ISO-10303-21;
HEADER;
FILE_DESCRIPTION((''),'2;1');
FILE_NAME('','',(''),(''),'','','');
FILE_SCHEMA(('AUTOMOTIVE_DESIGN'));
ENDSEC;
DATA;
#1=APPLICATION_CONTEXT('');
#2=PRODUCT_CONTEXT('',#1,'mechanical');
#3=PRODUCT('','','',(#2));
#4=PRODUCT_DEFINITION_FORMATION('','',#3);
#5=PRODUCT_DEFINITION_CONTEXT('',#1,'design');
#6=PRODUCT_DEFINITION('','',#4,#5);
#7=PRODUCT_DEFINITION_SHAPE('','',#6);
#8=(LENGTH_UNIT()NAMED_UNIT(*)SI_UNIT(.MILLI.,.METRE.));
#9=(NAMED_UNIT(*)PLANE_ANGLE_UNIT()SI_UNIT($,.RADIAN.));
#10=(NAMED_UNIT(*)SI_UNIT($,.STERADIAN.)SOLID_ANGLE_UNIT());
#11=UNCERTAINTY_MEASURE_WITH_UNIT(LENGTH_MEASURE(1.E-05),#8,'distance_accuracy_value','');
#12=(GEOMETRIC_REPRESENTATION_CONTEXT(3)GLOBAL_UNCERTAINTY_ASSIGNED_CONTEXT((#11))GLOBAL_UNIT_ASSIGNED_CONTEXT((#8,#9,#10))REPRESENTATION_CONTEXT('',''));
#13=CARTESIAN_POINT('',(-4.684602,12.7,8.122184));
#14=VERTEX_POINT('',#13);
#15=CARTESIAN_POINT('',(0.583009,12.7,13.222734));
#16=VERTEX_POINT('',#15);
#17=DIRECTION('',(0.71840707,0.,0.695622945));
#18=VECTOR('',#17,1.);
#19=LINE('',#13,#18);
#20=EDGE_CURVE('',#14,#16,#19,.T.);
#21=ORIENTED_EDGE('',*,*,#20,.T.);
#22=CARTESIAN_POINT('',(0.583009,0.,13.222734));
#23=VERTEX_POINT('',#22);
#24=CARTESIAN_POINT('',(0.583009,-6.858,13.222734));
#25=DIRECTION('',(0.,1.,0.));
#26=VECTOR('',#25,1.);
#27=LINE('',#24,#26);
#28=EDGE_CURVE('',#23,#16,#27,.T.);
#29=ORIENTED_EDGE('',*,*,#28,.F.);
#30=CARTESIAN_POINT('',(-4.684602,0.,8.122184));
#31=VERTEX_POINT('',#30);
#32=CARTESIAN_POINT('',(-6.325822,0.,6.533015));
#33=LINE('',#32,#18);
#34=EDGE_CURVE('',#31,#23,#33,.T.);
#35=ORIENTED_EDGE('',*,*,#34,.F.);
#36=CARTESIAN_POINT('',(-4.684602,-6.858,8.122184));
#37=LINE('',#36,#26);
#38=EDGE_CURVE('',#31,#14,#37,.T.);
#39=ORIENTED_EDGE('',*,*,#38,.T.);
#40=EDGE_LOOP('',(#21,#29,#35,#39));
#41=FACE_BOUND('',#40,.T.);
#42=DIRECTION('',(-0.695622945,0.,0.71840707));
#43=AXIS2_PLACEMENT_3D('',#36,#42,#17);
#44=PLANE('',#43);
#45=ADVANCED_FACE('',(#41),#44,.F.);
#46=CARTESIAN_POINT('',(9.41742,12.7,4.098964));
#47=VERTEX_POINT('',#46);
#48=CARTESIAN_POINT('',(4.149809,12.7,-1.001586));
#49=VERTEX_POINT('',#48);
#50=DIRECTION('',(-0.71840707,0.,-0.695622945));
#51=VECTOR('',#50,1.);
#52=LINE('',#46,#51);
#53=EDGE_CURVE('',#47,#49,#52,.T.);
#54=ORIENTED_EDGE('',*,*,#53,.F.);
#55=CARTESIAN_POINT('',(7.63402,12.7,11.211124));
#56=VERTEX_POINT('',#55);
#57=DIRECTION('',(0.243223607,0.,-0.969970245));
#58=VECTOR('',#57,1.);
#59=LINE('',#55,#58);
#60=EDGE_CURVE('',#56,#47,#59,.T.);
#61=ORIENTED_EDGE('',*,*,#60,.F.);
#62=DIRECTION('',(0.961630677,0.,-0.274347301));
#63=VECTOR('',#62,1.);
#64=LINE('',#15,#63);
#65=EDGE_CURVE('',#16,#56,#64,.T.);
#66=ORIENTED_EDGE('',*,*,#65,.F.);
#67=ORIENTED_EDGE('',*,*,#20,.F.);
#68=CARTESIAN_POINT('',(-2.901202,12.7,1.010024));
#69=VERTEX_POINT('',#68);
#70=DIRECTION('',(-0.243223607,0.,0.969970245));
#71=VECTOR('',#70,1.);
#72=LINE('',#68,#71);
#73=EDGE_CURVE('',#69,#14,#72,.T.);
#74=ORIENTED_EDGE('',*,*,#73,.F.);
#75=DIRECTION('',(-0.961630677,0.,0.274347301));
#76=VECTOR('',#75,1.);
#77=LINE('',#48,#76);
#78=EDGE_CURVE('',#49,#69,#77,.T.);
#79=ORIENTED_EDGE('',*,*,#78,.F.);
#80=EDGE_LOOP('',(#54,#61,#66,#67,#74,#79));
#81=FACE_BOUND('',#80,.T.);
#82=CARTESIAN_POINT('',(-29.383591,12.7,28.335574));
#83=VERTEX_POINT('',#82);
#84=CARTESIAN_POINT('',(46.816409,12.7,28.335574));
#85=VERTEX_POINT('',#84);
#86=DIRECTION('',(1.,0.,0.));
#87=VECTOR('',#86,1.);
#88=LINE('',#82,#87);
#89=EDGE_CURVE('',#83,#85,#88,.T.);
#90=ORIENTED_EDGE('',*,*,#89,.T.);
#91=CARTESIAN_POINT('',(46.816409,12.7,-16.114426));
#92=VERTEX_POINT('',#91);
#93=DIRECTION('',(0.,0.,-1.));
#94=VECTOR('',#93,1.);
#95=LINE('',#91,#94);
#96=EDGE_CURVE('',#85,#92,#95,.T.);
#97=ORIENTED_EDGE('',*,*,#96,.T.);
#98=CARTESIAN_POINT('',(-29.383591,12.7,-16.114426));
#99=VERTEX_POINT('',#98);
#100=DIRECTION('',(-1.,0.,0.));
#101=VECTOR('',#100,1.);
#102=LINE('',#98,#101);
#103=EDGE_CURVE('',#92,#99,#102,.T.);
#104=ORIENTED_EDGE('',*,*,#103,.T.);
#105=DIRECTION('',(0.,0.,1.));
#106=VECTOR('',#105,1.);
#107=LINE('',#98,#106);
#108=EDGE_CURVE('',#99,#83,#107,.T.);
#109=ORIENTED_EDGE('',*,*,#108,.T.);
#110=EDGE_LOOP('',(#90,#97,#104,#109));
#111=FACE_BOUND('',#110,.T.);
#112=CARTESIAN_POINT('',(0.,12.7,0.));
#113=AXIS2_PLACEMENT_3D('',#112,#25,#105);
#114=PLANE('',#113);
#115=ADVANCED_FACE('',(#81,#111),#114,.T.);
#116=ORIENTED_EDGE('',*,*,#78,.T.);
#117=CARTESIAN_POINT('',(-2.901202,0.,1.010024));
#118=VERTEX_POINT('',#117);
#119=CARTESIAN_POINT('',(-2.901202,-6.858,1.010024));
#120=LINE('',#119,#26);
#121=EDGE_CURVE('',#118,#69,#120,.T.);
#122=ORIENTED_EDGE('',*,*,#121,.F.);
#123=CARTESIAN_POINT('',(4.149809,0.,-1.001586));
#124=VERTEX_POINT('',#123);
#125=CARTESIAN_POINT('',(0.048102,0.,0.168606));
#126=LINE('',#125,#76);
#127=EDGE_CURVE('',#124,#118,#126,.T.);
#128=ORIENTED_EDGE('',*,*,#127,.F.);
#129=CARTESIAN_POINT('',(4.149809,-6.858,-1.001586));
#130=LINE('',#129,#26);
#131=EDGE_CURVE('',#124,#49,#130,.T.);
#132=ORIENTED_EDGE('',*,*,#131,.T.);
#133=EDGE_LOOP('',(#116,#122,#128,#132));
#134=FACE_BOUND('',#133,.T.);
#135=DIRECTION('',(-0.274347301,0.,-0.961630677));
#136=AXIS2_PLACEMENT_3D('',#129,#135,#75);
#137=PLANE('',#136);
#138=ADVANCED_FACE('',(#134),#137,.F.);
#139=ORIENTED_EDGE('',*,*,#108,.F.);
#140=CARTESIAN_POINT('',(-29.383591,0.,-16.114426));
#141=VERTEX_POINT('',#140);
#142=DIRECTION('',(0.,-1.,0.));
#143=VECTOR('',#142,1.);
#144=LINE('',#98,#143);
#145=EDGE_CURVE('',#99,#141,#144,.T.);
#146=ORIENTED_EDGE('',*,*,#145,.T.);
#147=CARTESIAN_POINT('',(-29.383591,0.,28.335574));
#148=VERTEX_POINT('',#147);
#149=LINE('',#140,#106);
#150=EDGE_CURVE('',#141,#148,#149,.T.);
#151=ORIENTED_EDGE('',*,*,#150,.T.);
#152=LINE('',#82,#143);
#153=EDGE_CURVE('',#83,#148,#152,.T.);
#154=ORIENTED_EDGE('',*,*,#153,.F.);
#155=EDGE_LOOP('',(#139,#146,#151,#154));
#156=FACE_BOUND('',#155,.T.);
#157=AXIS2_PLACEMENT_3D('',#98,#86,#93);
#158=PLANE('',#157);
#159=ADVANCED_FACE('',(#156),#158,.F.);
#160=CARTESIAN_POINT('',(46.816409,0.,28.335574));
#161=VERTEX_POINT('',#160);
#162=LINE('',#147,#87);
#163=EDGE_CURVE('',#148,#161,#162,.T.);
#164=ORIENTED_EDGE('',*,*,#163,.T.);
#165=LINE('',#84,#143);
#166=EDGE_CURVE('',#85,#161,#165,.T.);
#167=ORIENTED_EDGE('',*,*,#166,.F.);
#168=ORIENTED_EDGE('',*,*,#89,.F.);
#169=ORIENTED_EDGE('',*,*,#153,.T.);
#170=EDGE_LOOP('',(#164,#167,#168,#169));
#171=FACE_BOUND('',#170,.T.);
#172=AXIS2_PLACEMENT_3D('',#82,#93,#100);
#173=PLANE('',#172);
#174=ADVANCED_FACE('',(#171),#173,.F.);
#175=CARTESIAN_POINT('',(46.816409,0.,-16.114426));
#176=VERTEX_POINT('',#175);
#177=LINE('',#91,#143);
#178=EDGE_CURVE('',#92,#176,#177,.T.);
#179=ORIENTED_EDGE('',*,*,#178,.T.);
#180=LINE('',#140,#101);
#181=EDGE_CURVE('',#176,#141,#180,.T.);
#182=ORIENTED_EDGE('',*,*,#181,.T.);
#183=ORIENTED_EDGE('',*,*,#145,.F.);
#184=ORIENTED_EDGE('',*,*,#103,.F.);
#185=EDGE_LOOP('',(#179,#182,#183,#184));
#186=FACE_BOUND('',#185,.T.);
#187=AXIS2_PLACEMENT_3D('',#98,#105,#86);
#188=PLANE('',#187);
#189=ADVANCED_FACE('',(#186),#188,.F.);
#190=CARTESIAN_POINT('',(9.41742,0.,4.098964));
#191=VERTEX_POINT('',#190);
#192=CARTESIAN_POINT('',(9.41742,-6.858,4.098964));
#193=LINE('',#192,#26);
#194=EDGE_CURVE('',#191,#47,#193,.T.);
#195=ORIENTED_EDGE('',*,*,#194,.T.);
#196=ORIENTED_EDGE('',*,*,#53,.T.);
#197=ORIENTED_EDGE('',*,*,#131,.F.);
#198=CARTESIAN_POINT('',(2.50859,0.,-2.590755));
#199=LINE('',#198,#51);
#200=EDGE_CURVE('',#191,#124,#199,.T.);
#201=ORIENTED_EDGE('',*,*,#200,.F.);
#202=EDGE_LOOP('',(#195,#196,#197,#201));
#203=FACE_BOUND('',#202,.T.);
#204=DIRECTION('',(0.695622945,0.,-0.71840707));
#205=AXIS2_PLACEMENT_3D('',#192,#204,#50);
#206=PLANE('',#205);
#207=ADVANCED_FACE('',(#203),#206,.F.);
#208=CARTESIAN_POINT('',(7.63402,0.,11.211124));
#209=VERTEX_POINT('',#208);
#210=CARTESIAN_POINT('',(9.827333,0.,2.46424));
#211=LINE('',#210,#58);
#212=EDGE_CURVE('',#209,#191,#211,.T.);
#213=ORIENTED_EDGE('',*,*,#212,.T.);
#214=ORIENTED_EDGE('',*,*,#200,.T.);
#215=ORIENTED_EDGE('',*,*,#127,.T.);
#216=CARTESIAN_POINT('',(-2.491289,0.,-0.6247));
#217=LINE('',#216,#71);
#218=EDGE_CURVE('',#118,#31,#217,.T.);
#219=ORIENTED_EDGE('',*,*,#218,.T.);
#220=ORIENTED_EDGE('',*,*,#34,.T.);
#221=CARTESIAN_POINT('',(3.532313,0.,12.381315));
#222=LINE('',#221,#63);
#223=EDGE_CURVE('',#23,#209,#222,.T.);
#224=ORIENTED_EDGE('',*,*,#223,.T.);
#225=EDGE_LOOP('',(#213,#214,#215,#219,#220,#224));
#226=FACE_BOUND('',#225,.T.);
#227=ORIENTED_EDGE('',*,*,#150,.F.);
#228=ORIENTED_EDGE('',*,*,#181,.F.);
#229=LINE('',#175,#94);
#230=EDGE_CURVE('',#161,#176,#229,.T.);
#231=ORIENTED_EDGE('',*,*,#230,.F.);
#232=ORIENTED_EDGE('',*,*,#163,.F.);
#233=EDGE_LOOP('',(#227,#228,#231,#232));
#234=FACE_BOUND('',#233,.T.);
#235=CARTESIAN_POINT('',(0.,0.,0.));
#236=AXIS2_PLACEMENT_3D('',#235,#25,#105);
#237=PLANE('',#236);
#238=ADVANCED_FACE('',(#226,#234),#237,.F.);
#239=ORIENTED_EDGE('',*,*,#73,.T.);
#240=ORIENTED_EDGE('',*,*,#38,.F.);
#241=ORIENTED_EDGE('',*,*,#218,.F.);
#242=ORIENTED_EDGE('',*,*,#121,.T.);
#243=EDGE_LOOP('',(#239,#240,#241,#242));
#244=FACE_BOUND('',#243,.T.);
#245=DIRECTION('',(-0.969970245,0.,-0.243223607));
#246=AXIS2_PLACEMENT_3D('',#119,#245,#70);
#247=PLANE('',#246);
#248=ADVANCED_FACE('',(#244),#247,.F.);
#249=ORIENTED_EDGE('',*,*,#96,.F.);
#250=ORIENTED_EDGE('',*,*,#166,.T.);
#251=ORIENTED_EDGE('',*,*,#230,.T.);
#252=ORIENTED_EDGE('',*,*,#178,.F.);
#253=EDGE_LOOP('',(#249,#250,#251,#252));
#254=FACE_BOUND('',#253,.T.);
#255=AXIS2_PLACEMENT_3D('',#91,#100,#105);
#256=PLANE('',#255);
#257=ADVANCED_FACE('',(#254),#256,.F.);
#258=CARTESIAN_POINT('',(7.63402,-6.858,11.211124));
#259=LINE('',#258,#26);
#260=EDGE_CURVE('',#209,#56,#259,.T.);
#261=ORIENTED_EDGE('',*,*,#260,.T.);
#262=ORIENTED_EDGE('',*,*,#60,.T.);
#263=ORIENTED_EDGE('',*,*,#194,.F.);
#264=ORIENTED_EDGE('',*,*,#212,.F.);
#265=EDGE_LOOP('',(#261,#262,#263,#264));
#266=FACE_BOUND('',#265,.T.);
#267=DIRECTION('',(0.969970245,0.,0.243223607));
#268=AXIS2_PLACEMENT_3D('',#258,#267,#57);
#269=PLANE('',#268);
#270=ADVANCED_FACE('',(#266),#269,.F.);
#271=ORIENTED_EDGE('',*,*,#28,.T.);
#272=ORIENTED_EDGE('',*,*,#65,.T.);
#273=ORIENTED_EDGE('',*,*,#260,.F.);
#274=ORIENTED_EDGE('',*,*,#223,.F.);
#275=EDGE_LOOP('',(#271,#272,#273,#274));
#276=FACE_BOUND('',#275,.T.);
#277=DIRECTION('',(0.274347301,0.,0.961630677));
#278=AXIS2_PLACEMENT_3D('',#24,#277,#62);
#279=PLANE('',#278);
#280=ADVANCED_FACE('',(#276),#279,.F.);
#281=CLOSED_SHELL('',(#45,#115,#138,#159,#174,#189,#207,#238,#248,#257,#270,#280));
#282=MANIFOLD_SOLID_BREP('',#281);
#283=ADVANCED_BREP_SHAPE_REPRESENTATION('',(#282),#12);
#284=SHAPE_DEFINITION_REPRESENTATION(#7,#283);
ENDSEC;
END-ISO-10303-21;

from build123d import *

# Parameters (mm, degrees)
SKETCH1_W           = 76.2
SKETCH1_H           = 44.45
BOSS_EXTRUDE1_DEPTH = 12.7
CUT_EXTRUDE1_DEPTH  = 19.558


with BuildPart() as part:
    # Sketch1 → Boss-Extrude1 (new body)
    with BuildSketch(Plane(origin=(0, 0, 0), x_dir=(1, 0, 0), z_dir=(0, 1, 0))):
        with Locations((8.71640895, -6.11057377)):
            Rectangle(SKETCH1_W, SKETCH1_H)
    extrude(amount=BOSS_EXTRUDE1_DEPTH)

    # Sketch2 → Cut-Extrude1 (cut)
    with BuildSketch(Plane(origin=(0, 12.7, 0), x_dir=(1, 0, 0), z_dir=(0, 1, 0))):
        Polygon((4.149809178, 1.001586025), (-2.901201995, -1.01002397), (-4.684602223, -8.122183766), (0.583008722, -13.222733566), (7.634019895, -11.211123571), (9.417420123, -4.098963775), align=None)
    extrude(amount=-CUT_EXTRUDE1_DEPTH, mode=Mode.SUBTRACT)


solid = part.part
